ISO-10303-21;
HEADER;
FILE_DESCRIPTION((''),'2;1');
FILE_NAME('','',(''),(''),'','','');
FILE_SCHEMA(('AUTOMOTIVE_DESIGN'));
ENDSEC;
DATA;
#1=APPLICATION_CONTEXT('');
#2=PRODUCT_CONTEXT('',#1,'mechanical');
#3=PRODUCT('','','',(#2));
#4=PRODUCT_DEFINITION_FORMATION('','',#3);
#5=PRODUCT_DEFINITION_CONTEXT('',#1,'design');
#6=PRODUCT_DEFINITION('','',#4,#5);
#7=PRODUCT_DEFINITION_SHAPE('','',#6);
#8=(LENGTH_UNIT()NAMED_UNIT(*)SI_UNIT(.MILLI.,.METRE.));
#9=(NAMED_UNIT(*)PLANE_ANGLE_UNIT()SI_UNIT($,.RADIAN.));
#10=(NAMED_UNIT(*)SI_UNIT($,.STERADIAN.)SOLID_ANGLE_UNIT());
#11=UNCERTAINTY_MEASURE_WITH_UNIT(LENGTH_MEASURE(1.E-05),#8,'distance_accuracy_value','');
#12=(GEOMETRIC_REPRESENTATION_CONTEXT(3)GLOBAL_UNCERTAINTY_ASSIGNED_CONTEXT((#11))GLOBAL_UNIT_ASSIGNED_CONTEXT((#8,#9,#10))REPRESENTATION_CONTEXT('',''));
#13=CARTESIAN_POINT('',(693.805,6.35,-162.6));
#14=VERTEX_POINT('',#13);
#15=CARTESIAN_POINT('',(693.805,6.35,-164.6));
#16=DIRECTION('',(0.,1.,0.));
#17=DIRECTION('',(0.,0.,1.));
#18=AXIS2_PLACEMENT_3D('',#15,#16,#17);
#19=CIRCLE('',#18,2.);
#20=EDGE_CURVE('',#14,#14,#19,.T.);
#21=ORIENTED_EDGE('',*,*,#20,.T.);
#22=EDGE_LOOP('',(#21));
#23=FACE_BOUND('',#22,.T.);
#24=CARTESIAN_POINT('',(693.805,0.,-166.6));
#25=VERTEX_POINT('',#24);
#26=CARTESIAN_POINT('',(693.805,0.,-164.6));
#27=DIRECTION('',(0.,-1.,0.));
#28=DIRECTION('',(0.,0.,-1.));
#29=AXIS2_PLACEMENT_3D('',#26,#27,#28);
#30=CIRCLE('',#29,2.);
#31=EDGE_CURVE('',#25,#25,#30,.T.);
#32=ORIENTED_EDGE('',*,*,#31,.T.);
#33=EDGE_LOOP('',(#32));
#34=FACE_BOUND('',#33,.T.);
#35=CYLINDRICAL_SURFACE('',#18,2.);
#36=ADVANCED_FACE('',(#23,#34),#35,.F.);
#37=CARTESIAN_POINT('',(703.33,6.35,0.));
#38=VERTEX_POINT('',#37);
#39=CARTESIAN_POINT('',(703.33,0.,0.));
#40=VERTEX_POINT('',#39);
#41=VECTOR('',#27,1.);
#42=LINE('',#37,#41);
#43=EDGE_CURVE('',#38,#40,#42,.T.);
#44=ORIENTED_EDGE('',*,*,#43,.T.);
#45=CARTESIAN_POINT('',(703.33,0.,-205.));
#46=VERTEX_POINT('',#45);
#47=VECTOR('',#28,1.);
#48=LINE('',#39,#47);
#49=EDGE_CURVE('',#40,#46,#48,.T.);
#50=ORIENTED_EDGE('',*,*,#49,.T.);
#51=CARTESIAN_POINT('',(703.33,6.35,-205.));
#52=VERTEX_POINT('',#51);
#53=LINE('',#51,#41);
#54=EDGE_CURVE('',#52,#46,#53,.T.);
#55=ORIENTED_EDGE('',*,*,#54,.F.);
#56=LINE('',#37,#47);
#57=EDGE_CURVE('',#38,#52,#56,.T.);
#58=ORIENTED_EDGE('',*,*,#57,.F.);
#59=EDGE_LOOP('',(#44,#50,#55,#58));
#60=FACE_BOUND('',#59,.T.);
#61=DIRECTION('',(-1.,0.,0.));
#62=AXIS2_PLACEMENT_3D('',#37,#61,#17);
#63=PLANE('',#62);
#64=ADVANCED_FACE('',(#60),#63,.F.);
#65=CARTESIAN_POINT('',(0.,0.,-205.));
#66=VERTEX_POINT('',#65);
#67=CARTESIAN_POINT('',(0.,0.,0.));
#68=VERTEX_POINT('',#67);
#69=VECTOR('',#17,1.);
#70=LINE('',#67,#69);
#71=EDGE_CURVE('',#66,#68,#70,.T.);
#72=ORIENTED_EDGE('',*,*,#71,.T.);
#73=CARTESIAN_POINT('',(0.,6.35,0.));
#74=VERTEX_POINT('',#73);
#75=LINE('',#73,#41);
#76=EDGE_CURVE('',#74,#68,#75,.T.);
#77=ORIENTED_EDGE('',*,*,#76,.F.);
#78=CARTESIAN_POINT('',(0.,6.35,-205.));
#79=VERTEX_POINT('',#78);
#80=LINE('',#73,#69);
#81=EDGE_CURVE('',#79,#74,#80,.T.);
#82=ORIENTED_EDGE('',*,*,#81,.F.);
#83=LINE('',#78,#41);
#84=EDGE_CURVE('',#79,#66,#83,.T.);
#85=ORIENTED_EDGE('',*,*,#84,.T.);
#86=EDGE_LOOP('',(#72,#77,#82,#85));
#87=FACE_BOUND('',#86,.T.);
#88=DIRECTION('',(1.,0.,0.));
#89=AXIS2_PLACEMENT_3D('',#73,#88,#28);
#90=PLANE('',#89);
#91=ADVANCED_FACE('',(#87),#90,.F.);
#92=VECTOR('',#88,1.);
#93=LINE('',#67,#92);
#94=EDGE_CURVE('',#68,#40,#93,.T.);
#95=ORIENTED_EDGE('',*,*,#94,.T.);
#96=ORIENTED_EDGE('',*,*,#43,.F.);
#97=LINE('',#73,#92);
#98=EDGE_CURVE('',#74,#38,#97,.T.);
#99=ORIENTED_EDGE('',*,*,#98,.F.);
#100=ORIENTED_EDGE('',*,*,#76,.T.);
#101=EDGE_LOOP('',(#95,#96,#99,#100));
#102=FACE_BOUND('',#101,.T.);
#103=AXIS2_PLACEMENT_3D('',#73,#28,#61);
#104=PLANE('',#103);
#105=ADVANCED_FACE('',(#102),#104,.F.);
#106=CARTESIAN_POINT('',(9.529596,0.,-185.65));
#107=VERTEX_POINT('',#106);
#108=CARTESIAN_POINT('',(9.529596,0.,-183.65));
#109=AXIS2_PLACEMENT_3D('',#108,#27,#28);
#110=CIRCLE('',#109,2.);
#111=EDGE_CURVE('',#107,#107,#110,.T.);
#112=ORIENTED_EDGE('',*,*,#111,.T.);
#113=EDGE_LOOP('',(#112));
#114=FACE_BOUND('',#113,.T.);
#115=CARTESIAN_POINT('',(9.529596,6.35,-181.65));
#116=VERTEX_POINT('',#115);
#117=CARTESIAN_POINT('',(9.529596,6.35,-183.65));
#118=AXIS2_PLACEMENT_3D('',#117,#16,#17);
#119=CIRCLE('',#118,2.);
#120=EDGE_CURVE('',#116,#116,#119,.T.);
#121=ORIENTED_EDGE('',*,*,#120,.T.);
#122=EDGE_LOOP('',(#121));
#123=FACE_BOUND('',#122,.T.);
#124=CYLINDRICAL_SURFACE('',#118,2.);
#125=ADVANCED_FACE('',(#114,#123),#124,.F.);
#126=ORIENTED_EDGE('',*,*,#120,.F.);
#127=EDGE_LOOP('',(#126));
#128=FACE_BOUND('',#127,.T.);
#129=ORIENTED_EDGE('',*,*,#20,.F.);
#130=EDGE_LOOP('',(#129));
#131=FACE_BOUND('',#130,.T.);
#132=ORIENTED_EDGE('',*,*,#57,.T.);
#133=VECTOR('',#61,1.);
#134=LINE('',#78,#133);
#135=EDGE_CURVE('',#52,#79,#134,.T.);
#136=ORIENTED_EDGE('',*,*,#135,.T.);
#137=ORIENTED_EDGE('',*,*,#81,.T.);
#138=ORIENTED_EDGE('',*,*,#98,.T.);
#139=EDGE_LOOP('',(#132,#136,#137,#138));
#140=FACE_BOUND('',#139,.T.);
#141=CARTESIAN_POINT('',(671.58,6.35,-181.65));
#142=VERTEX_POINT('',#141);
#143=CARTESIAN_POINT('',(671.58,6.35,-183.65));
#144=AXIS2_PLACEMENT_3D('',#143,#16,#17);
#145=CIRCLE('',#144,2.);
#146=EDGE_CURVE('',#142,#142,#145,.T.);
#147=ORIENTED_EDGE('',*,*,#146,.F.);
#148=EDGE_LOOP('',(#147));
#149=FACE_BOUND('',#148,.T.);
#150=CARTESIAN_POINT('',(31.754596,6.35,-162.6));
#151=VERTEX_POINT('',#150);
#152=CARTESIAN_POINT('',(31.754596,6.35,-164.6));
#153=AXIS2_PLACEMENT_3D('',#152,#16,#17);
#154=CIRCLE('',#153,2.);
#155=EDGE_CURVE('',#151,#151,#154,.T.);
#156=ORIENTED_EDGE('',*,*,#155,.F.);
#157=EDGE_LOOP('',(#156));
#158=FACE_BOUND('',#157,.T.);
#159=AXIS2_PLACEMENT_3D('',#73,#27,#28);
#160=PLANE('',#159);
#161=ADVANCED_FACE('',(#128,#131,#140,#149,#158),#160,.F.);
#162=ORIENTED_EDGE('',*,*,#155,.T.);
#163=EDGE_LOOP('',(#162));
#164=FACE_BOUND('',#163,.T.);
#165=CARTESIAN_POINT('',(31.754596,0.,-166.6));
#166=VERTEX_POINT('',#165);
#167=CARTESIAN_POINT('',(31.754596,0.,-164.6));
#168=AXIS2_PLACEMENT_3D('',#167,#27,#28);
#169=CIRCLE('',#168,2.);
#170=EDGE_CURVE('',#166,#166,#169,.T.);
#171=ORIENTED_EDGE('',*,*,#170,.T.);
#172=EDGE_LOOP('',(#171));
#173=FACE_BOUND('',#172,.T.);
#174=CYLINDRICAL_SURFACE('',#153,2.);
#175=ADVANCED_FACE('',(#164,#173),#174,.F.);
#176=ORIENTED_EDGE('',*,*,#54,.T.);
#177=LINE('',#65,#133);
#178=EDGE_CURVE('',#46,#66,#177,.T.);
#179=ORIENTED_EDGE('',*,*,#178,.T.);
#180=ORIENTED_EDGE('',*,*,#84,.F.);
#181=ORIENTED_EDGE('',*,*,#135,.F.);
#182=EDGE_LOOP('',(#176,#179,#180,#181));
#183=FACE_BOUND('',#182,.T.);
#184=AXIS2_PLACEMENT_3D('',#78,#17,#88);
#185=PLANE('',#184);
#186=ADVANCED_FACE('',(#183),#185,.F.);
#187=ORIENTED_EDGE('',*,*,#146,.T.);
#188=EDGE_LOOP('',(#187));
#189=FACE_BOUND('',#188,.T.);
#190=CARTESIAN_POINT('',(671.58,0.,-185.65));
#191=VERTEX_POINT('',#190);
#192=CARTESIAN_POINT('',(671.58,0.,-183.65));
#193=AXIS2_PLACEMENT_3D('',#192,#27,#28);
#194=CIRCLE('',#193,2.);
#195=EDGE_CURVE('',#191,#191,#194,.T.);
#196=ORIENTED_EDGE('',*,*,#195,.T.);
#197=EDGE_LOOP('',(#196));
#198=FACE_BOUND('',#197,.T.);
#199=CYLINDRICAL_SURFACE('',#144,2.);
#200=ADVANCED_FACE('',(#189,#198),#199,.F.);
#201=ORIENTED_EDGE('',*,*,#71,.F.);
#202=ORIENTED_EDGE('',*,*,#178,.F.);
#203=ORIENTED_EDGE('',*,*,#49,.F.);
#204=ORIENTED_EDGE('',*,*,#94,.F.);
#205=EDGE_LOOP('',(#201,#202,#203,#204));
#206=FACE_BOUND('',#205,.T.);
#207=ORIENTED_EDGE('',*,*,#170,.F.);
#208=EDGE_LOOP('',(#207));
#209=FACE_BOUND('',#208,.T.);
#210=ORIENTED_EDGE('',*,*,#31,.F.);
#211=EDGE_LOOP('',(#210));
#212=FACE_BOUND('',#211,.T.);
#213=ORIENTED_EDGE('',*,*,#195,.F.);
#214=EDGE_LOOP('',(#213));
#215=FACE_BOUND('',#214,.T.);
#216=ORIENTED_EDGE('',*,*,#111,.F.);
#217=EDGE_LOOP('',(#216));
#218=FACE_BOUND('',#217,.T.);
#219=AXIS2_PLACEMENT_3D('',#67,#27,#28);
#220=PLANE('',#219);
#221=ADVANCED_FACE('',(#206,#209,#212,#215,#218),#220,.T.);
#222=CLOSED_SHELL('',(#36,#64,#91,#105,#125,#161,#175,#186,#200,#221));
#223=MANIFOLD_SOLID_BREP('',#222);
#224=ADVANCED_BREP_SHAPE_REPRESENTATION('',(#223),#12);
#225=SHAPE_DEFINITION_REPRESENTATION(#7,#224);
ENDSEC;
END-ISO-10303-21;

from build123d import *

# Parameters (mm, degrees)
SKETCH2_W                    = 703.33
SKETCH2_H                    = 205
BOSS_EXTRUDE1_DEPTH          = 6.35
F_4_0_4_DIAMETER_HOLE1_D     = 4
F_4_0_4_DIAMETER_HOLE1_DEPTH = 10
F_4_0_4_DIAMETER_HOLE1_TIP   = 1.201721238


with BuildPart() as part:
    # Sketch2 → Boss-Extrude1 (new body)
    with BuildSketch(Plane(origin=(0, 0, 0), x_dir=(1, 0, 0), z_dir=(0, 1, 0))):
        with Locations((351.665, 102.5)):
            Rectangle(SKETCH2_W, SKETCH2_H)
    extrude(amount=BOSS_EXTRUDE1_DEPTH)

    # Ø4.0 (4) Diameter Hole1
    with Locations(Plane(origin=(351.667298108, 6.35, -173.242751044), x_dir=(-1, 0, 0), z_dir=(0, 1, 0))):
        with Locations((-342.137701892, 8.642751044), (-319.912701892, -10.407248956), (319.912701892, 8.642751044), (342.137701892, -10.407248956)):
            Hole(F_4_0_4_DIAMETER_HOLE1_D / 2, depth=F_4_0_4_DIAMETER_HOLE1_DEPTH)
            with Locations((0, 0, -(F_4_0_4_DIAMETER_HOLE1_DEPTH + F_4_0_4_DIAMETER_HOLE1_TIP / 2))):  # 118° drill point
                Cone(0, F_4_0_4_DIAMETER_HOLE1_D / 2, F_4_0_4_DIAMETER_HOLE1_TIP, mode=Mode.SUBTRACT)


solid = part.part
